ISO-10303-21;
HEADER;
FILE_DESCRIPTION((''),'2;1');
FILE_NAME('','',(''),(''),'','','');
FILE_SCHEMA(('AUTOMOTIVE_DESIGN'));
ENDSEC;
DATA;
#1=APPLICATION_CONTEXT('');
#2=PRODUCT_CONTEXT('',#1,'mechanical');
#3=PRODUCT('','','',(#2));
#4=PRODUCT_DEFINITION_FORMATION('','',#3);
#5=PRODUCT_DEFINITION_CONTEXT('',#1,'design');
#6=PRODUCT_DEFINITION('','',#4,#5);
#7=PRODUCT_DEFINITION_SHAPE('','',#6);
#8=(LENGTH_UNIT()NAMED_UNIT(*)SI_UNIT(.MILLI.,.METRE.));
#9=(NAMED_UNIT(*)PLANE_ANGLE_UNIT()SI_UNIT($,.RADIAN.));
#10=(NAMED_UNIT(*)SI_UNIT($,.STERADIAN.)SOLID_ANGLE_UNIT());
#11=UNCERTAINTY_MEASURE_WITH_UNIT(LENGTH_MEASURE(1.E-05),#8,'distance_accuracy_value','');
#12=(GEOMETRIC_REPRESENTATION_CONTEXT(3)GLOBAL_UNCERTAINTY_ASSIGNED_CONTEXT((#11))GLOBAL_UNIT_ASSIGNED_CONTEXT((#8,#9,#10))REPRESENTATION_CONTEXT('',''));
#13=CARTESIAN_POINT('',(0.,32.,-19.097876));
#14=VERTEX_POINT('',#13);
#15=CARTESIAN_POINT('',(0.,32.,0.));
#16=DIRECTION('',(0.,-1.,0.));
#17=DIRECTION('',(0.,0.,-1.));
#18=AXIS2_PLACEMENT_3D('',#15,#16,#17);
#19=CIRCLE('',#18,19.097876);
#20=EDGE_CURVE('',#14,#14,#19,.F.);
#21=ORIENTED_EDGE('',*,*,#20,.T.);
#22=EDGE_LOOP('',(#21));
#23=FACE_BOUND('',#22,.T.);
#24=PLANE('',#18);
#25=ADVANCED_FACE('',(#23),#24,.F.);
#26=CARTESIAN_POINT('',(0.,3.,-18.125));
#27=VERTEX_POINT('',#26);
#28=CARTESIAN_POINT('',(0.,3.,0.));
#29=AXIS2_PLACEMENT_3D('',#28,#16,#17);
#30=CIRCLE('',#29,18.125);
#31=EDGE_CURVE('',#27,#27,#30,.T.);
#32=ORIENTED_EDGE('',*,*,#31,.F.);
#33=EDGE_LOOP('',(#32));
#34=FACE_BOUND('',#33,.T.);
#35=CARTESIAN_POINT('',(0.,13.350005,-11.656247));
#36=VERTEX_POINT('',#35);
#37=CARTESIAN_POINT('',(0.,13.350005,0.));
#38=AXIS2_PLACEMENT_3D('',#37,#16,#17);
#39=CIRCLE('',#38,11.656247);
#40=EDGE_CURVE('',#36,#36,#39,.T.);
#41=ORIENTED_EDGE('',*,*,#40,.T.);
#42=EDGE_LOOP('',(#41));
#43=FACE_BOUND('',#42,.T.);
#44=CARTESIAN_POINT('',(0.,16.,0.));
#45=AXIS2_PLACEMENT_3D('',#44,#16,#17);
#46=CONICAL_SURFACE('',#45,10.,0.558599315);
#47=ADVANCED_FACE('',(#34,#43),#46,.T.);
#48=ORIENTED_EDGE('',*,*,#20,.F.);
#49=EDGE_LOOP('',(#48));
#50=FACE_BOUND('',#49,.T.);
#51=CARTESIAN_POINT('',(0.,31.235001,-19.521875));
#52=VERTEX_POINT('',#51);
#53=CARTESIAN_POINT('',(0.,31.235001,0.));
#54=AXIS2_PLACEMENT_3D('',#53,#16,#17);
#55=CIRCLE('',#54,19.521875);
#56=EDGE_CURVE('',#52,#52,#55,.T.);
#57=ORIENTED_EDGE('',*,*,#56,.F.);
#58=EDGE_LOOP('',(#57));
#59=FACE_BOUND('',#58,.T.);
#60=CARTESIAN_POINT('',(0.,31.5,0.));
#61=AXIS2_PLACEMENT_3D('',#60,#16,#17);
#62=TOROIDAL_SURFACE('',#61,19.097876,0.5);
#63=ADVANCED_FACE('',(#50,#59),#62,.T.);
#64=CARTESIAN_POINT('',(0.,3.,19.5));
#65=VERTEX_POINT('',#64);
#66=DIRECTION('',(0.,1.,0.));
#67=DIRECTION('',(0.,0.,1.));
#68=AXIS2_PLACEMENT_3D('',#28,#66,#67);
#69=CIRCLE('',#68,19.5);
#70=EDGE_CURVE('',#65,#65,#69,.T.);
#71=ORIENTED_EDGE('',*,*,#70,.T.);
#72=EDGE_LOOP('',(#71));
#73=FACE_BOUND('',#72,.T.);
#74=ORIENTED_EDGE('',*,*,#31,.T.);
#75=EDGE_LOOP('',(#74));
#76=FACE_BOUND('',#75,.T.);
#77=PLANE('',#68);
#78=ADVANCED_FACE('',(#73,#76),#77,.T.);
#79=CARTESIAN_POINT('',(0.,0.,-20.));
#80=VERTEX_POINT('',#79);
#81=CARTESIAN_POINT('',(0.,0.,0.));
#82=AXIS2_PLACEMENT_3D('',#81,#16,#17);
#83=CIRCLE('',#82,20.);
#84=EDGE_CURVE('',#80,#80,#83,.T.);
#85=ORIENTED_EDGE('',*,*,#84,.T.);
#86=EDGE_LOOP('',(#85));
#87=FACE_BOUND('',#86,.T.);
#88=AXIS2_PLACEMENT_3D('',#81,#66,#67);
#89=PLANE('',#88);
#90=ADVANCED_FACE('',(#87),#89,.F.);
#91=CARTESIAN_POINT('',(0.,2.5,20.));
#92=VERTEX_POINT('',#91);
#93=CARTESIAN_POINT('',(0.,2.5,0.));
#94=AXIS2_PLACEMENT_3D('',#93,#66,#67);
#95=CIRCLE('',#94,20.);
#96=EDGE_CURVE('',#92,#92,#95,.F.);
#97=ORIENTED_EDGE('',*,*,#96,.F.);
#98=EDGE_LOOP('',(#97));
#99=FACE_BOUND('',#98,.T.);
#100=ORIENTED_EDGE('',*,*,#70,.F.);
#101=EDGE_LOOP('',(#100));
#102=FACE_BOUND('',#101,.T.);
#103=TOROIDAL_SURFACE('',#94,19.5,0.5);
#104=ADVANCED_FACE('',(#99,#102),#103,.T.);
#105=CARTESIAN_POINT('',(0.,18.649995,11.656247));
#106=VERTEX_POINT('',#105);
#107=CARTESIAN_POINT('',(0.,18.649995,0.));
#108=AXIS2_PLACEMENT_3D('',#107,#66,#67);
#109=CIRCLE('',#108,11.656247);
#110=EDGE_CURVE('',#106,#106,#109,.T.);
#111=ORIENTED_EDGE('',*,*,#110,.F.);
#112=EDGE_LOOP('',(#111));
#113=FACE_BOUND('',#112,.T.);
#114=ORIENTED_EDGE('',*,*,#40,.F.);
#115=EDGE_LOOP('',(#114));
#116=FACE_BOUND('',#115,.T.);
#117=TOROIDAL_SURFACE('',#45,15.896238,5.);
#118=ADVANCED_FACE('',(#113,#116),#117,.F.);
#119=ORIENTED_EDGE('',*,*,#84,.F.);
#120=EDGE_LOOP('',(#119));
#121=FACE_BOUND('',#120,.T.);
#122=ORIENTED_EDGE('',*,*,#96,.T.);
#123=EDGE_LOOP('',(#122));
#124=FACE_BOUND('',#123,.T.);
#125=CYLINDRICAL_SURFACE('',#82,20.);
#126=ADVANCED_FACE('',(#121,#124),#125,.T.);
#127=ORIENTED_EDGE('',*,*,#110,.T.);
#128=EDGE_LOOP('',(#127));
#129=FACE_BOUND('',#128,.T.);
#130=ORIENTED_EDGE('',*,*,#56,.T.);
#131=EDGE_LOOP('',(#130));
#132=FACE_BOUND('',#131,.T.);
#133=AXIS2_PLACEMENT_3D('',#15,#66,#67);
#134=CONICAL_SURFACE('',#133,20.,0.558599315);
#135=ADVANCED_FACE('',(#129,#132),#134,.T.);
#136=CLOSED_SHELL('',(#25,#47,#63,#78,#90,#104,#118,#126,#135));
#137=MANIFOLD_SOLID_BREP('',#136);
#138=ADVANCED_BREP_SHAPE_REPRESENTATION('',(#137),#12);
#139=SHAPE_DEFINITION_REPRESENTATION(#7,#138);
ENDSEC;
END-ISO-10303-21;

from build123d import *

# Parameters (mm, degrees)
FILLET1_R = 5
FILLET2_R = 0.5
FILLET3_R = 0.5


with BuildPart() as part:
    # Sketch1 → Revolve1 (revolve)
    with BuildSketch(Plane(origin=(0, 0, 0), x_dir=(0, 0, -1), z_dir=(1, 0, 0))):
        Polygon((20, 0), (0, 0), (0, 32), (20, 32), (10, 16), align=None)
        Polygon((18.125, 3), (20, 0), (20, 3), align=None)
    revolve(axis=Axis((0, 0, 0), (0, 1, 0)))

    # Fillet1
    fillet1_edges = [part.edges().sort_by_distance(p)[0] for p in [
        (0, 16, 10),
    ]]
    fillet(fillet1_edges, radius=FILLET1_R)

    # Fillet2
    fillet2_edges = [part.edges().sort_by_distance(p)[0] for p in [
        (0, 32, 20),
    ]]
    fillet(fillet2_edges, radius=FILLET2_R)

    # Fillet3
    fillet3_edges = [part.edges().sort_by_distance(p)[0] for p in [
        (0, 3, 20),
    ]]
    fillet(fillet3_edges, radius=FILLET3_R)


solid = part.part
